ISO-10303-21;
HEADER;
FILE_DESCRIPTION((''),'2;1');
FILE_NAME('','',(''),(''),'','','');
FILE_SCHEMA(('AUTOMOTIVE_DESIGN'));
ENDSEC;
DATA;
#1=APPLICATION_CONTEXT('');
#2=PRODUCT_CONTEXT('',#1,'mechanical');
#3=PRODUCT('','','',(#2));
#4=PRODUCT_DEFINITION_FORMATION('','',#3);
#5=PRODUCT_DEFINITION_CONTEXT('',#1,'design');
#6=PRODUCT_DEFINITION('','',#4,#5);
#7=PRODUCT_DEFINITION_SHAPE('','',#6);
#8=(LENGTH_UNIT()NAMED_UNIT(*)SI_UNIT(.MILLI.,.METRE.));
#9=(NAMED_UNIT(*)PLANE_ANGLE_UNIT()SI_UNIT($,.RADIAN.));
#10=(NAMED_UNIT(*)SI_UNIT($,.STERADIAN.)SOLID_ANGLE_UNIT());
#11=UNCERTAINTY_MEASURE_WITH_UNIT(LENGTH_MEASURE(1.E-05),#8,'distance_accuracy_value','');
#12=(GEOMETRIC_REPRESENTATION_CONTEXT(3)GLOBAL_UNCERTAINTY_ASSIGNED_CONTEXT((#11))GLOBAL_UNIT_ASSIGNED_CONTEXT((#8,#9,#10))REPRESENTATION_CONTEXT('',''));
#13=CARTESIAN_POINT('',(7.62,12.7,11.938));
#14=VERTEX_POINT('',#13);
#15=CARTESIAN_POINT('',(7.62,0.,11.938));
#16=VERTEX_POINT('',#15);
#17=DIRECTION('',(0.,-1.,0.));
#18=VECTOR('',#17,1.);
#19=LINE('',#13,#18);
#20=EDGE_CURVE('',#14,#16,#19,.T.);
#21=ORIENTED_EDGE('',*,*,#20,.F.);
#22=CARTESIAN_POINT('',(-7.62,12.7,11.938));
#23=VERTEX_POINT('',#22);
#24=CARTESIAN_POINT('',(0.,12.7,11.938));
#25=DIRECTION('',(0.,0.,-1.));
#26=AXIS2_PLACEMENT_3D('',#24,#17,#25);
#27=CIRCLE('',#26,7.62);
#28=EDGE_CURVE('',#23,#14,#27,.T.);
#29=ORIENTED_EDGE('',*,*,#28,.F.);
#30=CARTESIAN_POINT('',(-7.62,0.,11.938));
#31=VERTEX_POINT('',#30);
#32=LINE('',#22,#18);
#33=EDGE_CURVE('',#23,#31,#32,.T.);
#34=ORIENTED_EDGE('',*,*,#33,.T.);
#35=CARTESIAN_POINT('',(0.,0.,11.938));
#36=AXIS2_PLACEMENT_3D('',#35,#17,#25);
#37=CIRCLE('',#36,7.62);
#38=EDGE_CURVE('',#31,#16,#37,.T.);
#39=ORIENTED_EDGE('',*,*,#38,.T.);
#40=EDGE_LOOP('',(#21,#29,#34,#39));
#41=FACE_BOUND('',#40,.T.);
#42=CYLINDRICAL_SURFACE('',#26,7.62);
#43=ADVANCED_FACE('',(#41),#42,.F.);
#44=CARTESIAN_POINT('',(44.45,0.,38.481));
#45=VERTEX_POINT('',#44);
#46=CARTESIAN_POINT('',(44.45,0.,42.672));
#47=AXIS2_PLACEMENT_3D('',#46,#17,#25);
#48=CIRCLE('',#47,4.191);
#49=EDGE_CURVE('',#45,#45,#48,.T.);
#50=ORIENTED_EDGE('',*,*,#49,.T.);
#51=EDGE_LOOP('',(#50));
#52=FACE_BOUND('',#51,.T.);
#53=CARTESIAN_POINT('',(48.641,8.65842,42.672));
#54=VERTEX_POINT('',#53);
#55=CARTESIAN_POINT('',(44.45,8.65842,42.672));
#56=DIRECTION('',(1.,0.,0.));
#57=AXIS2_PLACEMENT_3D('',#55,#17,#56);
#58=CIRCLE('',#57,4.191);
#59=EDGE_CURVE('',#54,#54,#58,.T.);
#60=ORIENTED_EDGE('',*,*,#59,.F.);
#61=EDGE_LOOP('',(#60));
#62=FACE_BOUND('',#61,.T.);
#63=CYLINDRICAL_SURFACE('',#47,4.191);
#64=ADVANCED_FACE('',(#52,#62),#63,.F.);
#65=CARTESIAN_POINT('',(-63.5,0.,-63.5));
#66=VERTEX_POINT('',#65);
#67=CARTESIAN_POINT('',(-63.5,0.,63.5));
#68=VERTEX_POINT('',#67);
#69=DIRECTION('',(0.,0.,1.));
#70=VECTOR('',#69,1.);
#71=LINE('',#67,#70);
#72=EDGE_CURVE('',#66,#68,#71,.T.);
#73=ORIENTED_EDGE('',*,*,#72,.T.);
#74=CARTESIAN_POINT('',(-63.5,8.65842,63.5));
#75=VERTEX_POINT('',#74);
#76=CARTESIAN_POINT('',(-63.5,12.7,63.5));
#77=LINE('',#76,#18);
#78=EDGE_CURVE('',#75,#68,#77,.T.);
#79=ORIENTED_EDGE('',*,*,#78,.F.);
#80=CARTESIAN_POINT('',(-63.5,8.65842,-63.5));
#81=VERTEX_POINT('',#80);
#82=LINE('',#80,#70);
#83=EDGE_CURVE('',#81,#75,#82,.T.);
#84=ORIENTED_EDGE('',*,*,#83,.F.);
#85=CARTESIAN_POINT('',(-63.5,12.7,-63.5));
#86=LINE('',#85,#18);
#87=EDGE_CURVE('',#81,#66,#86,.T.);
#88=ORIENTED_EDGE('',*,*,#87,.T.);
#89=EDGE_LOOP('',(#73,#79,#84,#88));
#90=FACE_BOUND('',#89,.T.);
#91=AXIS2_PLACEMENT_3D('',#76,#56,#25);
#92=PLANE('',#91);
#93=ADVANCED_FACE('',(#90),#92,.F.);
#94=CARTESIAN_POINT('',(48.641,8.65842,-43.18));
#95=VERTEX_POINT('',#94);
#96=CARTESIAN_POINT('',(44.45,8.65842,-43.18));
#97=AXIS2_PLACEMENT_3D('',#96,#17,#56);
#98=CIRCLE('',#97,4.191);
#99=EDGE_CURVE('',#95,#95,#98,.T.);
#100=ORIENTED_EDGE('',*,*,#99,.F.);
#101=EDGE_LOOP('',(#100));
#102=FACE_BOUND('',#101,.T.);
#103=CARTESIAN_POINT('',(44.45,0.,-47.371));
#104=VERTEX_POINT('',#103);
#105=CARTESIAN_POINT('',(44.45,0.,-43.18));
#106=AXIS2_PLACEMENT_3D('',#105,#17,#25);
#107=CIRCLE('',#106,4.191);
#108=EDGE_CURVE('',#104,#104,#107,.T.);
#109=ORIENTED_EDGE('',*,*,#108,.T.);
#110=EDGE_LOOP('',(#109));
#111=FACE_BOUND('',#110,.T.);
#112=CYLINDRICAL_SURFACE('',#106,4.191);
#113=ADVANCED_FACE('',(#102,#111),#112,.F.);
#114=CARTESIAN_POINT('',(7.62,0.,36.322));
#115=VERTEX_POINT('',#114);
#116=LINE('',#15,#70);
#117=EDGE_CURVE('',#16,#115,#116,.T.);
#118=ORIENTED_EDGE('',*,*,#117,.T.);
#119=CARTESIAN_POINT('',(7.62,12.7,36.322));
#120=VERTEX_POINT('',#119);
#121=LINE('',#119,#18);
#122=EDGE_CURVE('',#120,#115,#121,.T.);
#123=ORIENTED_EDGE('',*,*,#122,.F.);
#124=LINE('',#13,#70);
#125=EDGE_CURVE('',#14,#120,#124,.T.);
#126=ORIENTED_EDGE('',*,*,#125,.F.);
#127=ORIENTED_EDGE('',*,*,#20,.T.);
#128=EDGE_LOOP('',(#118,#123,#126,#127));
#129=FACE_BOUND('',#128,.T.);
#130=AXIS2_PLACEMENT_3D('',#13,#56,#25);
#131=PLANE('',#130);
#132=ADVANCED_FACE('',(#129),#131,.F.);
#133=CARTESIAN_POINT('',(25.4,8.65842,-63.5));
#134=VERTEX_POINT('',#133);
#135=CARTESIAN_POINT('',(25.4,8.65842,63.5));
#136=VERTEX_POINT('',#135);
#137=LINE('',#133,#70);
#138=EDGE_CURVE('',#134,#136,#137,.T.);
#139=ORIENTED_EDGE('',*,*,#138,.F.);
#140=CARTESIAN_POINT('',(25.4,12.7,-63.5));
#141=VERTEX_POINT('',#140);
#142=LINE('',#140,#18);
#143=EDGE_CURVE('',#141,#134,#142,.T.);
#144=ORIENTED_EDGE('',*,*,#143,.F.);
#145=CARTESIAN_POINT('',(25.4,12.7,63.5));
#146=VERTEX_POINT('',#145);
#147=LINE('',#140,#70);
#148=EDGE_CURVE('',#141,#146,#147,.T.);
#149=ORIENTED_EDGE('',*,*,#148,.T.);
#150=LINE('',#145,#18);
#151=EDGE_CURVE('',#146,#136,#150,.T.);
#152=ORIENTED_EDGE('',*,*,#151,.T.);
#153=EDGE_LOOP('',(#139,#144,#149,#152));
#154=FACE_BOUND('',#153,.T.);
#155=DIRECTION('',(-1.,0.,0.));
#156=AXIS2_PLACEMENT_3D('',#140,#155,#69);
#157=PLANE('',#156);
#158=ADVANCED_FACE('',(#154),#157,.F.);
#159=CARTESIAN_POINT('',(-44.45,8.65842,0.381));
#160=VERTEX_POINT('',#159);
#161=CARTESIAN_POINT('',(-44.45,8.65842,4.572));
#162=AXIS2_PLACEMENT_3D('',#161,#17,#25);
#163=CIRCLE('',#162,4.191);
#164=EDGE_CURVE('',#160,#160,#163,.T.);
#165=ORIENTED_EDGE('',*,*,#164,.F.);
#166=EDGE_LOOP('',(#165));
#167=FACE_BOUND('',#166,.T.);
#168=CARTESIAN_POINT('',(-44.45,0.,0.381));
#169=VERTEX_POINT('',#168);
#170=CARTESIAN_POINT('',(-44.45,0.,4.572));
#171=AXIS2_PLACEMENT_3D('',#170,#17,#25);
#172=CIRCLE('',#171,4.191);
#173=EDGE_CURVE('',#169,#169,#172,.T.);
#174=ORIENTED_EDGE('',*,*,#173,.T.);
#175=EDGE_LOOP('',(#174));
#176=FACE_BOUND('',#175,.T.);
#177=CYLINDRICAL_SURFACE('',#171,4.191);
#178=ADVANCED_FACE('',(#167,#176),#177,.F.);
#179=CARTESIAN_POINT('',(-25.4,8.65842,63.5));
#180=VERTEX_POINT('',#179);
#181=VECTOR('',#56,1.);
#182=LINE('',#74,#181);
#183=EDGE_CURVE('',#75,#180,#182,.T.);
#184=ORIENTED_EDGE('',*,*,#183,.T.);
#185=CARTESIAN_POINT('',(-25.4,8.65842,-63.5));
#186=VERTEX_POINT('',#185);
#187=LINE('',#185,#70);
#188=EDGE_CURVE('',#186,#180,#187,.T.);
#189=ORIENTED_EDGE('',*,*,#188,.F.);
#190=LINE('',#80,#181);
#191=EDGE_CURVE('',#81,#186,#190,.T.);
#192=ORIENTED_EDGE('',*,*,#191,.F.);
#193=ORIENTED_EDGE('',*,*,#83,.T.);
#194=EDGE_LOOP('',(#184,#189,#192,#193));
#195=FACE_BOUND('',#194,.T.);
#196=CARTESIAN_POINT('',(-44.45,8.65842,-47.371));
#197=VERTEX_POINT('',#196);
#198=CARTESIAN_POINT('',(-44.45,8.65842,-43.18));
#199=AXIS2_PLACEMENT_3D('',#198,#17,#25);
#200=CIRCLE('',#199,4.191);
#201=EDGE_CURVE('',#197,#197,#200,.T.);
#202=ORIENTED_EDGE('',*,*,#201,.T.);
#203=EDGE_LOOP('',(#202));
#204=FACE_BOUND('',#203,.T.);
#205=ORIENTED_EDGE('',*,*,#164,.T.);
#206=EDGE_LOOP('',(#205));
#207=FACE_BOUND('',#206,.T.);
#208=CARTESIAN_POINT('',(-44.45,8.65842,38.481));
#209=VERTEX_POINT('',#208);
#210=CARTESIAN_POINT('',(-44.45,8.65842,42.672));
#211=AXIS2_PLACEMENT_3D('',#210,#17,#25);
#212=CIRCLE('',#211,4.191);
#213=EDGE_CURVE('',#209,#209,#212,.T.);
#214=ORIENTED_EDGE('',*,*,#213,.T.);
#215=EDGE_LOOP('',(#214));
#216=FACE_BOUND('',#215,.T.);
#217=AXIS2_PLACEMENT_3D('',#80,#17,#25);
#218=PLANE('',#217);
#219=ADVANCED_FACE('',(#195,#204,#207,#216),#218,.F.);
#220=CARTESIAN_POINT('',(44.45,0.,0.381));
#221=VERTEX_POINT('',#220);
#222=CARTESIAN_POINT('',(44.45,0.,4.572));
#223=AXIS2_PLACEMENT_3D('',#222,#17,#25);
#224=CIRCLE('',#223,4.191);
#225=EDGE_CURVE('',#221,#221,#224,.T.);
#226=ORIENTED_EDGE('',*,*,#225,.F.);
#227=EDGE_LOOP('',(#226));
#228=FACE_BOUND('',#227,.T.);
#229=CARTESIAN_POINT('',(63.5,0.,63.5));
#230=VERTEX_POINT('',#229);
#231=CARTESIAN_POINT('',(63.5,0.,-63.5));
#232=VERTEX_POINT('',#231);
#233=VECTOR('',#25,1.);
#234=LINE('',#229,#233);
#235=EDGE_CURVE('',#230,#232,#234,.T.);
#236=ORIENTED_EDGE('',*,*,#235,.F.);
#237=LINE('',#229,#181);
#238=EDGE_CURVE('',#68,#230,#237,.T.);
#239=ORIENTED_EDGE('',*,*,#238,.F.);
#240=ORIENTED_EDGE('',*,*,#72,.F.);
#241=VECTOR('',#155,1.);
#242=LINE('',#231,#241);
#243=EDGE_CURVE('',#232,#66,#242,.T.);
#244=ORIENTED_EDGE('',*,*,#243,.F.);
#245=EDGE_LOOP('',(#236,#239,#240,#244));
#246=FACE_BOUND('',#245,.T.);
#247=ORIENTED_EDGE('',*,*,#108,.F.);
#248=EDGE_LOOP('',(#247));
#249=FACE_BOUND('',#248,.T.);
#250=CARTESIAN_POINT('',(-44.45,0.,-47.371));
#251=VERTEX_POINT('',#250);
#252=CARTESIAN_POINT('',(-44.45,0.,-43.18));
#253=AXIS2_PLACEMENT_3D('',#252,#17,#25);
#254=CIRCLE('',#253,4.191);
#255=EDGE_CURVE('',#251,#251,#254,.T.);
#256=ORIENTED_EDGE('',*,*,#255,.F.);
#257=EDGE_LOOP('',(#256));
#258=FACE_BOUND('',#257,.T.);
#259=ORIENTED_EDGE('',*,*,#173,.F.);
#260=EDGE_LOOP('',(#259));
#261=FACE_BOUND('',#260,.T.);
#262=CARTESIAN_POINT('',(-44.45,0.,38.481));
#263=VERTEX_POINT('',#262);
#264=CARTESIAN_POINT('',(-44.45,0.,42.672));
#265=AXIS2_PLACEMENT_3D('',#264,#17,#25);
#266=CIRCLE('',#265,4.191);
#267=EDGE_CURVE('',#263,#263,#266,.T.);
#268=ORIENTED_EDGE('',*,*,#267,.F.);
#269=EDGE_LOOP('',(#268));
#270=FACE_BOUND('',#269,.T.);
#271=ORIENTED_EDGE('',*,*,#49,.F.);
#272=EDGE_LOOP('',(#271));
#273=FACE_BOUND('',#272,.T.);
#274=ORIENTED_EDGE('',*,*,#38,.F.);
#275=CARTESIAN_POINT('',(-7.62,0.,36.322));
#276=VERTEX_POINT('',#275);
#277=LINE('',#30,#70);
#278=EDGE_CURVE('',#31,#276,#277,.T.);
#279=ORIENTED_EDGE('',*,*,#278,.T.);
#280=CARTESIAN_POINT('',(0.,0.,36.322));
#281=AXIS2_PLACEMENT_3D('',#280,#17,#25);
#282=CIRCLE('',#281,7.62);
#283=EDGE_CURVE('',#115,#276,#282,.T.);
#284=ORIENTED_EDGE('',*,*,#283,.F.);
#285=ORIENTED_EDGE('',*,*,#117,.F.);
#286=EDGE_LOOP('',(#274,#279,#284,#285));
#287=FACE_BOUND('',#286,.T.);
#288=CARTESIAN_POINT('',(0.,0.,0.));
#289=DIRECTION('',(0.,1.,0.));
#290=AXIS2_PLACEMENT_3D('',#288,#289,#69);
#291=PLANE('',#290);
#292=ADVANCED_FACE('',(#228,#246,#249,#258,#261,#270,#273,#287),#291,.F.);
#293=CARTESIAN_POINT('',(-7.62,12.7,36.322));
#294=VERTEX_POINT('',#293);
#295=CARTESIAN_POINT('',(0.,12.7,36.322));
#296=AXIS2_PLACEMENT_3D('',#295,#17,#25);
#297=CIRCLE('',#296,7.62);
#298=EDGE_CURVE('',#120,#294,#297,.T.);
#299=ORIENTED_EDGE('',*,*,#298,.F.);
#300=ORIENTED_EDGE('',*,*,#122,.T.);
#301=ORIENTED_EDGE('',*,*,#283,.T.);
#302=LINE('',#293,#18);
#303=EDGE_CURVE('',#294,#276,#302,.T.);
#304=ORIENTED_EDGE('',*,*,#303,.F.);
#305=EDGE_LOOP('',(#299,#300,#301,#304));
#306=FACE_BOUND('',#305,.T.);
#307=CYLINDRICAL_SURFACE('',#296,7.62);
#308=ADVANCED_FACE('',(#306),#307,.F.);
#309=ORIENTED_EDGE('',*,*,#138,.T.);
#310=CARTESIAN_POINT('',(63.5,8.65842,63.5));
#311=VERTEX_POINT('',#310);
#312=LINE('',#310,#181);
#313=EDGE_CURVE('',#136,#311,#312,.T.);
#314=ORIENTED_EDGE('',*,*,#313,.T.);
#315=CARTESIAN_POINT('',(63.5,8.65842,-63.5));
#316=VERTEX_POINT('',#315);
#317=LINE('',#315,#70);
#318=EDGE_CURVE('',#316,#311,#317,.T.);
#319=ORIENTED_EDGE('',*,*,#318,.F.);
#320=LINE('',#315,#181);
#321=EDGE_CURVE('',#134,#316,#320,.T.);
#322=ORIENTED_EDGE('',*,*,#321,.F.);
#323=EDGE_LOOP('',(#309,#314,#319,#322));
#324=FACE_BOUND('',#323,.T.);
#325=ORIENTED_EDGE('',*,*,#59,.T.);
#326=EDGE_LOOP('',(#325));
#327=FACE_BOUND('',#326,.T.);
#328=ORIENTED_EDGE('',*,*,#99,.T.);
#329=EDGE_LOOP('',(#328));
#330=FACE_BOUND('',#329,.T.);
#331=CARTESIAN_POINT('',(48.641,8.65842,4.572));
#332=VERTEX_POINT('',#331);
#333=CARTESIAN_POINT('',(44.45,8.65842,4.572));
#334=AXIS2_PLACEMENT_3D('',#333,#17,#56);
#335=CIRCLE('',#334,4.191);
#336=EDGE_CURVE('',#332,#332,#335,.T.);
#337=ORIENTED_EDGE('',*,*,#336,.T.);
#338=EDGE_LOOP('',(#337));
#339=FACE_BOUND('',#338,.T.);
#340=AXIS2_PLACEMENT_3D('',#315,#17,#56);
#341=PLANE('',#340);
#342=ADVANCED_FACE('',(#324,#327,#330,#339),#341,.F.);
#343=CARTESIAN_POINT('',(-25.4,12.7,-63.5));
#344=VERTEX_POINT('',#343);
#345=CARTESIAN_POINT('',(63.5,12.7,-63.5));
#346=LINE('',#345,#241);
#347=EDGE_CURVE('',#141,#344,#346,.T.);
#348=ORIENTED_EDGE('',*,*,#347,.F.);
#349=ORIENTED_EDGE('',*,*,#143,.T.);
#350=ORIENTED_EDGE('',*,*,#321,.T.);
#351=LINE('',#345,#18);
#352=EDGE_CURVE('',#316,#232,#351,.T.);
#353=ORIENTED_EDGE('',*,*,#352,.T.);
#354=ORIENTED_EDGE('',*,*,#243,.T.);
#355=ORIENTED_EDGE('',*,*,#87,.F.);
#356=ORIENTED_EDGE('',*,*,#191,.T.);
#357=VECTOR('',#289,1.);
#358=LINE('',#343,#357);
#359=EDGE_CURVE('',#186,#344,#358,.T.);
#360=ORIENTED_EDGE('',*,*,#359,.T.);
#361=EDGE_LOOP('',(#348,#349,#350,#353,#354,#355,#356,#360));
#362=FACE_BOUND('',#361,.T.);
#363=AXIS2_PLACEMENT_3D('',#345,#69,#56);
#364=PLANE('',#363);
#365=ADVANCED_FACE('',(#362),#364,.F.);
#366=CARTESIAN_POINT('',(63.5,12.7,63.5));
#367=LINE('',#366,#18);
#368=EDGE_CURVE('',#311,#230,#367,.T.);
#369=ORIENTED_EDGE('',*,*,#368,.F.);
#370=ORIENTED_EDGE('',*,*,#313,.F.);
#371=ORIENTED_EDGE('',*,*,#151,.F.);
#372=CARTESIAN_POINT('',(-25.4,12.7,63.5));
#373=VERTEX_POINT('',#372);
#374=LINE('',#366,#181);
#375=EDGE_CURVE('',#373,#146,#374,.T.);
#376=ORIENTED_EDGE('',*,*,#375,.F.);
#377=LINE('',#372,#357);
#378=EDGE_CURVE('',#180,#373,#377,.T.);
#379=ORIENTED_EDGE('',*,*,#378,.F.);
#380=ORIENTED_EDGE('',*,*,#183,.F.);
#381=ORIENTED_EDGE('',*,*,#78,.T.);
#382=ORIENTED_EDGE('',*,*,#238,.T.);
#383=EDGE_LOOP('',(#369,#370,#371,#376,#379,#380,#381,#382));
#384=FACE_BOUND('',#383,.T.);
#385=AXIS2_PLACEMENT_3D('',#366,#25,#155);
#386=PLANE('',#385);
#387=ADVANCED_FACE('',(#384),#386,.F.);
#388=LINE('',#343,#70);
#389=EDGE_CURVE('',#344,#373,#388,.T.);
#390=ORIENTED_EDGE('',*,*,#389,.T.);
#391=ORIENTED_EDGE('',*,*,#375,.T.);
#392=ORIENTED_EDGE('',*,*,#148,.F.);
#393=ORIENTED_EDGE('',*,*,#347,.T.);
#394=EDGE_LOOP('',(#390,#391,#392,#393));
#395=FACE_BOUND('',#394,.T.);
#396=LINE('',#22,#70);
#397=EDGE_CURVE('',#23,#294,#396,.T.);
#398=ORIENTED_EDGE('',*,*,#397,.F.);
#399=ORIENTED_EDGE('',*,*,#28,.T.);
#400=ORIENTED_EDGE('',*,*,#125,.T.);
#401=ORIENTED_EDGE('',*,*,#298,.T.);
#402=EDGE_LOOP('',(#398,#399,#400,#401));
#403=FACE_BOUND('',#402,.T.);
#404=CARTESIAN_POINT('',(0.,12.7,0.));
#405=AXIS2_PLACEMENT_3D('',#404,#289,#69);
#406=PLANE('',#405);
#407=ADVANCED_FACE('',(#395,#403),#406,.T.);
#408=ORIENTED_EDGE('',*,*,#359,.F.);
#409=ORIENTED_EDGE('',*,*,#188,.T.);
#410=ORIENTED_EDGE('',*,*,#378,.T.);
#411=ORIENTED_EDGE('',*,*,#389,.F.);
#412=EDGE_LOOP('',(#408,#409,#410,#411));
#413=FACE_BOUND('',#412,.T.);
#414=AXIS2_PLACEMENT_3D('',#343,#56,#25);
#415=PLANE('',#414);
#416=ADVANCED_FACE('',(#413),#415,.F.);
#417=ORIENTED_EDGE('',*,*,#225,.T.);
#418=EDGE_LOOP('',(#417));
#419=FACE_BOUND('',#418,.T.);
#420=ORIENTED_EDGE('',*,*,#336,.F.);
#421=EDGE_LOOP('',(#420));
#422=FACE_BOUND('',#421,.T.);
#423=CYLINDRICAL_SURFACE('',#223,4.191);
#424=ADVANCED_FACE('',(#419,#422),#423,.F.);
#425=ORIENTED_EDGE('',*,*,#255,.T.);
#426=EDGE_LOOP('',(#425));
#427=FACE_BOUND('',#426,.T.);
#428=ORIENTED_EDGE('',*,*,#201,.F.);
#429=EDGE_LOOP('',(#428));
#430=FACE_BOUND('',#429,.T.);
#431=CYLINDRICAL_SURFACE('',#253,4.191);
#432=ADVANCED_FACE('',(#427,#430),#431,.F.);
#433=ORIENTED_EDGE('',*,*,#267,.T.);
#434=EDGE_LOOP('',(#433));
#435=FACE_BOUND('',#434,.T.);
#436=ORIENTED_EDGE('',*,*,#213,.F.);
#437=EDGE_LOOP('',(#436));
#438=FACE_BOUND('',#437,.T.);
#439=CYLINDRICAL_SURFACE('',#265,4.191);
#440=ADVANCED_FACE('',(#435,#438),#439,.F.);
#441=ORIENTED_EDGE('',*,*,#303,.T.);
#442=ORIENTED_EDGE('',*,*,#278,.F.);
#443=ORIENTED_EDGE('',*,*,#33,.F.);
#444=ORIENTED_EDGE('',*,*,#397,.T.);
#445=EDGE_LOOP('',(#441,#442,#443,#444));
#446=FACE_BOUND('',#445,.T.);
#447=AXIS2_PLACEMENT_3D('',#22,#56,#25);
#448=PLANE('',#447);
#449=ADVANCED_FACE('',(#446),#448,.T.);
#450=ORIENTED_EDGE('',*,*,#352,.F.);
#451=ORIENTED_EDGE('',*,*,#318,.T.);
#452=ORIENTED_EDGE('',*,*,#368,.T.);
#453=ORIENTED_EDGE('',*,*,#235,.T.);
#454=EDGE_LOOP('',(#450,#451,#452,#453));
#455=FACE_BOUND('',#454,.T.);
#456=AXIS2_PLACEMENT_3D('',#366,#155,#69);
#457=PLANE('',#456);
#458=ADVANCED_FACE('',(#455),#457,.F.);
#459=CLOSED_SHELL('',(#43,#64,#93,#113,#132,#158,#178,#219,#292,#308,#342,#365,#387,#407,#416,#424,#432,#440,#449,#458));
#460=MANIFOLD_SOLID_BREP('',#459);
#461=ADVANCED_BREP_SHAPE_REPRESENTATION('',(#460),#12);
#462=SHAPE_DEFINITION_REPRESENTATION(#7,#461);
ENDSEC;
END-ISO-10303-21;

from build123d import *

# Parameters (mm, degrees)
SKETCH2_W              = 127
SKETCH2_H              = 127
BOSS_EXTRUDE1_DEPTH    = 12.7
SKETCH3_W              = 38.1
SKETCH3_H              = 4.04158002
CUT_EXTRUDE2_DEPTH     = 128
F_10_0MM_DOWEL_HOLE1_D = 8.382
CUT_EXTRUDE4_DEPTH     = 13.7


with BuildPart() as part:
    # Sketch2 → Boss-Extrude1 (new body)
    with BuildSketch(Plane(origin=(0, 0, 0), x_dir=(1, 0, 0), z_dir=(0, 1, 0))):
        Rectangle(SKETCH2_W, SKETCH2_H)
    extrude(amount=BOSS_EXTRUDE1_DEPTH)

    # Sketch3 → Cut-Extrude2 (cut, through all)
    with BuildSketch(Plane.XY.offset(63.5)):
        with Locations((-44.45, 10.67920999)):
            Rectangle(SKETCH3_W, SKETCH3_H)
        with Locations((44.45, 10.67920999)):
            Rectangle(SKETCH3_W, SKETCH3_H)
    extrude(amount=-CUT_EXTRUDE2_DEPTH, mode=Mode.SUBTRACT)

    # Ø10.0mm Dowel Hole1 (through all)
    with Locations(Plane(origin=(0, 0, 0), x_dir=(-1, 0, 0), z_dir=(0, -1, 0))):
        with Locations((-44.45, 43.18), (-44.45, -4.572), (-44.45, -42.672), (44.45, 43.18), (44.45, -4.572), (44.45, -42.672)):
            Hole(F_10_0MM_DOWEL_HOLE1_D / 2)

    # Sketch10 → Cut-Extrude4 (cut, through all)
    with BuildSketch(Plane(origin=(0, 0, 0), x_dir=(-1, 0, 0), z_dir=(0, -1, 0))):
        with BuildLine():
            Line((7.62, -11.938), (7.62, -36.322))
            ThreePointArc((7.62, -36.322), (0, -43.942), (-7.62, -36.322))
            Line((-7.62, -36.322), (-7.62, -11.938))
            ThreePointArc((-7.62, -11.938), (0, -4.318), (7.62, -11.938))
        make_face()
    extrude(amount=-CUT_EXTRUDE4_DEPTH, mode=Mode.SUBTRACT)


solid = part.part
